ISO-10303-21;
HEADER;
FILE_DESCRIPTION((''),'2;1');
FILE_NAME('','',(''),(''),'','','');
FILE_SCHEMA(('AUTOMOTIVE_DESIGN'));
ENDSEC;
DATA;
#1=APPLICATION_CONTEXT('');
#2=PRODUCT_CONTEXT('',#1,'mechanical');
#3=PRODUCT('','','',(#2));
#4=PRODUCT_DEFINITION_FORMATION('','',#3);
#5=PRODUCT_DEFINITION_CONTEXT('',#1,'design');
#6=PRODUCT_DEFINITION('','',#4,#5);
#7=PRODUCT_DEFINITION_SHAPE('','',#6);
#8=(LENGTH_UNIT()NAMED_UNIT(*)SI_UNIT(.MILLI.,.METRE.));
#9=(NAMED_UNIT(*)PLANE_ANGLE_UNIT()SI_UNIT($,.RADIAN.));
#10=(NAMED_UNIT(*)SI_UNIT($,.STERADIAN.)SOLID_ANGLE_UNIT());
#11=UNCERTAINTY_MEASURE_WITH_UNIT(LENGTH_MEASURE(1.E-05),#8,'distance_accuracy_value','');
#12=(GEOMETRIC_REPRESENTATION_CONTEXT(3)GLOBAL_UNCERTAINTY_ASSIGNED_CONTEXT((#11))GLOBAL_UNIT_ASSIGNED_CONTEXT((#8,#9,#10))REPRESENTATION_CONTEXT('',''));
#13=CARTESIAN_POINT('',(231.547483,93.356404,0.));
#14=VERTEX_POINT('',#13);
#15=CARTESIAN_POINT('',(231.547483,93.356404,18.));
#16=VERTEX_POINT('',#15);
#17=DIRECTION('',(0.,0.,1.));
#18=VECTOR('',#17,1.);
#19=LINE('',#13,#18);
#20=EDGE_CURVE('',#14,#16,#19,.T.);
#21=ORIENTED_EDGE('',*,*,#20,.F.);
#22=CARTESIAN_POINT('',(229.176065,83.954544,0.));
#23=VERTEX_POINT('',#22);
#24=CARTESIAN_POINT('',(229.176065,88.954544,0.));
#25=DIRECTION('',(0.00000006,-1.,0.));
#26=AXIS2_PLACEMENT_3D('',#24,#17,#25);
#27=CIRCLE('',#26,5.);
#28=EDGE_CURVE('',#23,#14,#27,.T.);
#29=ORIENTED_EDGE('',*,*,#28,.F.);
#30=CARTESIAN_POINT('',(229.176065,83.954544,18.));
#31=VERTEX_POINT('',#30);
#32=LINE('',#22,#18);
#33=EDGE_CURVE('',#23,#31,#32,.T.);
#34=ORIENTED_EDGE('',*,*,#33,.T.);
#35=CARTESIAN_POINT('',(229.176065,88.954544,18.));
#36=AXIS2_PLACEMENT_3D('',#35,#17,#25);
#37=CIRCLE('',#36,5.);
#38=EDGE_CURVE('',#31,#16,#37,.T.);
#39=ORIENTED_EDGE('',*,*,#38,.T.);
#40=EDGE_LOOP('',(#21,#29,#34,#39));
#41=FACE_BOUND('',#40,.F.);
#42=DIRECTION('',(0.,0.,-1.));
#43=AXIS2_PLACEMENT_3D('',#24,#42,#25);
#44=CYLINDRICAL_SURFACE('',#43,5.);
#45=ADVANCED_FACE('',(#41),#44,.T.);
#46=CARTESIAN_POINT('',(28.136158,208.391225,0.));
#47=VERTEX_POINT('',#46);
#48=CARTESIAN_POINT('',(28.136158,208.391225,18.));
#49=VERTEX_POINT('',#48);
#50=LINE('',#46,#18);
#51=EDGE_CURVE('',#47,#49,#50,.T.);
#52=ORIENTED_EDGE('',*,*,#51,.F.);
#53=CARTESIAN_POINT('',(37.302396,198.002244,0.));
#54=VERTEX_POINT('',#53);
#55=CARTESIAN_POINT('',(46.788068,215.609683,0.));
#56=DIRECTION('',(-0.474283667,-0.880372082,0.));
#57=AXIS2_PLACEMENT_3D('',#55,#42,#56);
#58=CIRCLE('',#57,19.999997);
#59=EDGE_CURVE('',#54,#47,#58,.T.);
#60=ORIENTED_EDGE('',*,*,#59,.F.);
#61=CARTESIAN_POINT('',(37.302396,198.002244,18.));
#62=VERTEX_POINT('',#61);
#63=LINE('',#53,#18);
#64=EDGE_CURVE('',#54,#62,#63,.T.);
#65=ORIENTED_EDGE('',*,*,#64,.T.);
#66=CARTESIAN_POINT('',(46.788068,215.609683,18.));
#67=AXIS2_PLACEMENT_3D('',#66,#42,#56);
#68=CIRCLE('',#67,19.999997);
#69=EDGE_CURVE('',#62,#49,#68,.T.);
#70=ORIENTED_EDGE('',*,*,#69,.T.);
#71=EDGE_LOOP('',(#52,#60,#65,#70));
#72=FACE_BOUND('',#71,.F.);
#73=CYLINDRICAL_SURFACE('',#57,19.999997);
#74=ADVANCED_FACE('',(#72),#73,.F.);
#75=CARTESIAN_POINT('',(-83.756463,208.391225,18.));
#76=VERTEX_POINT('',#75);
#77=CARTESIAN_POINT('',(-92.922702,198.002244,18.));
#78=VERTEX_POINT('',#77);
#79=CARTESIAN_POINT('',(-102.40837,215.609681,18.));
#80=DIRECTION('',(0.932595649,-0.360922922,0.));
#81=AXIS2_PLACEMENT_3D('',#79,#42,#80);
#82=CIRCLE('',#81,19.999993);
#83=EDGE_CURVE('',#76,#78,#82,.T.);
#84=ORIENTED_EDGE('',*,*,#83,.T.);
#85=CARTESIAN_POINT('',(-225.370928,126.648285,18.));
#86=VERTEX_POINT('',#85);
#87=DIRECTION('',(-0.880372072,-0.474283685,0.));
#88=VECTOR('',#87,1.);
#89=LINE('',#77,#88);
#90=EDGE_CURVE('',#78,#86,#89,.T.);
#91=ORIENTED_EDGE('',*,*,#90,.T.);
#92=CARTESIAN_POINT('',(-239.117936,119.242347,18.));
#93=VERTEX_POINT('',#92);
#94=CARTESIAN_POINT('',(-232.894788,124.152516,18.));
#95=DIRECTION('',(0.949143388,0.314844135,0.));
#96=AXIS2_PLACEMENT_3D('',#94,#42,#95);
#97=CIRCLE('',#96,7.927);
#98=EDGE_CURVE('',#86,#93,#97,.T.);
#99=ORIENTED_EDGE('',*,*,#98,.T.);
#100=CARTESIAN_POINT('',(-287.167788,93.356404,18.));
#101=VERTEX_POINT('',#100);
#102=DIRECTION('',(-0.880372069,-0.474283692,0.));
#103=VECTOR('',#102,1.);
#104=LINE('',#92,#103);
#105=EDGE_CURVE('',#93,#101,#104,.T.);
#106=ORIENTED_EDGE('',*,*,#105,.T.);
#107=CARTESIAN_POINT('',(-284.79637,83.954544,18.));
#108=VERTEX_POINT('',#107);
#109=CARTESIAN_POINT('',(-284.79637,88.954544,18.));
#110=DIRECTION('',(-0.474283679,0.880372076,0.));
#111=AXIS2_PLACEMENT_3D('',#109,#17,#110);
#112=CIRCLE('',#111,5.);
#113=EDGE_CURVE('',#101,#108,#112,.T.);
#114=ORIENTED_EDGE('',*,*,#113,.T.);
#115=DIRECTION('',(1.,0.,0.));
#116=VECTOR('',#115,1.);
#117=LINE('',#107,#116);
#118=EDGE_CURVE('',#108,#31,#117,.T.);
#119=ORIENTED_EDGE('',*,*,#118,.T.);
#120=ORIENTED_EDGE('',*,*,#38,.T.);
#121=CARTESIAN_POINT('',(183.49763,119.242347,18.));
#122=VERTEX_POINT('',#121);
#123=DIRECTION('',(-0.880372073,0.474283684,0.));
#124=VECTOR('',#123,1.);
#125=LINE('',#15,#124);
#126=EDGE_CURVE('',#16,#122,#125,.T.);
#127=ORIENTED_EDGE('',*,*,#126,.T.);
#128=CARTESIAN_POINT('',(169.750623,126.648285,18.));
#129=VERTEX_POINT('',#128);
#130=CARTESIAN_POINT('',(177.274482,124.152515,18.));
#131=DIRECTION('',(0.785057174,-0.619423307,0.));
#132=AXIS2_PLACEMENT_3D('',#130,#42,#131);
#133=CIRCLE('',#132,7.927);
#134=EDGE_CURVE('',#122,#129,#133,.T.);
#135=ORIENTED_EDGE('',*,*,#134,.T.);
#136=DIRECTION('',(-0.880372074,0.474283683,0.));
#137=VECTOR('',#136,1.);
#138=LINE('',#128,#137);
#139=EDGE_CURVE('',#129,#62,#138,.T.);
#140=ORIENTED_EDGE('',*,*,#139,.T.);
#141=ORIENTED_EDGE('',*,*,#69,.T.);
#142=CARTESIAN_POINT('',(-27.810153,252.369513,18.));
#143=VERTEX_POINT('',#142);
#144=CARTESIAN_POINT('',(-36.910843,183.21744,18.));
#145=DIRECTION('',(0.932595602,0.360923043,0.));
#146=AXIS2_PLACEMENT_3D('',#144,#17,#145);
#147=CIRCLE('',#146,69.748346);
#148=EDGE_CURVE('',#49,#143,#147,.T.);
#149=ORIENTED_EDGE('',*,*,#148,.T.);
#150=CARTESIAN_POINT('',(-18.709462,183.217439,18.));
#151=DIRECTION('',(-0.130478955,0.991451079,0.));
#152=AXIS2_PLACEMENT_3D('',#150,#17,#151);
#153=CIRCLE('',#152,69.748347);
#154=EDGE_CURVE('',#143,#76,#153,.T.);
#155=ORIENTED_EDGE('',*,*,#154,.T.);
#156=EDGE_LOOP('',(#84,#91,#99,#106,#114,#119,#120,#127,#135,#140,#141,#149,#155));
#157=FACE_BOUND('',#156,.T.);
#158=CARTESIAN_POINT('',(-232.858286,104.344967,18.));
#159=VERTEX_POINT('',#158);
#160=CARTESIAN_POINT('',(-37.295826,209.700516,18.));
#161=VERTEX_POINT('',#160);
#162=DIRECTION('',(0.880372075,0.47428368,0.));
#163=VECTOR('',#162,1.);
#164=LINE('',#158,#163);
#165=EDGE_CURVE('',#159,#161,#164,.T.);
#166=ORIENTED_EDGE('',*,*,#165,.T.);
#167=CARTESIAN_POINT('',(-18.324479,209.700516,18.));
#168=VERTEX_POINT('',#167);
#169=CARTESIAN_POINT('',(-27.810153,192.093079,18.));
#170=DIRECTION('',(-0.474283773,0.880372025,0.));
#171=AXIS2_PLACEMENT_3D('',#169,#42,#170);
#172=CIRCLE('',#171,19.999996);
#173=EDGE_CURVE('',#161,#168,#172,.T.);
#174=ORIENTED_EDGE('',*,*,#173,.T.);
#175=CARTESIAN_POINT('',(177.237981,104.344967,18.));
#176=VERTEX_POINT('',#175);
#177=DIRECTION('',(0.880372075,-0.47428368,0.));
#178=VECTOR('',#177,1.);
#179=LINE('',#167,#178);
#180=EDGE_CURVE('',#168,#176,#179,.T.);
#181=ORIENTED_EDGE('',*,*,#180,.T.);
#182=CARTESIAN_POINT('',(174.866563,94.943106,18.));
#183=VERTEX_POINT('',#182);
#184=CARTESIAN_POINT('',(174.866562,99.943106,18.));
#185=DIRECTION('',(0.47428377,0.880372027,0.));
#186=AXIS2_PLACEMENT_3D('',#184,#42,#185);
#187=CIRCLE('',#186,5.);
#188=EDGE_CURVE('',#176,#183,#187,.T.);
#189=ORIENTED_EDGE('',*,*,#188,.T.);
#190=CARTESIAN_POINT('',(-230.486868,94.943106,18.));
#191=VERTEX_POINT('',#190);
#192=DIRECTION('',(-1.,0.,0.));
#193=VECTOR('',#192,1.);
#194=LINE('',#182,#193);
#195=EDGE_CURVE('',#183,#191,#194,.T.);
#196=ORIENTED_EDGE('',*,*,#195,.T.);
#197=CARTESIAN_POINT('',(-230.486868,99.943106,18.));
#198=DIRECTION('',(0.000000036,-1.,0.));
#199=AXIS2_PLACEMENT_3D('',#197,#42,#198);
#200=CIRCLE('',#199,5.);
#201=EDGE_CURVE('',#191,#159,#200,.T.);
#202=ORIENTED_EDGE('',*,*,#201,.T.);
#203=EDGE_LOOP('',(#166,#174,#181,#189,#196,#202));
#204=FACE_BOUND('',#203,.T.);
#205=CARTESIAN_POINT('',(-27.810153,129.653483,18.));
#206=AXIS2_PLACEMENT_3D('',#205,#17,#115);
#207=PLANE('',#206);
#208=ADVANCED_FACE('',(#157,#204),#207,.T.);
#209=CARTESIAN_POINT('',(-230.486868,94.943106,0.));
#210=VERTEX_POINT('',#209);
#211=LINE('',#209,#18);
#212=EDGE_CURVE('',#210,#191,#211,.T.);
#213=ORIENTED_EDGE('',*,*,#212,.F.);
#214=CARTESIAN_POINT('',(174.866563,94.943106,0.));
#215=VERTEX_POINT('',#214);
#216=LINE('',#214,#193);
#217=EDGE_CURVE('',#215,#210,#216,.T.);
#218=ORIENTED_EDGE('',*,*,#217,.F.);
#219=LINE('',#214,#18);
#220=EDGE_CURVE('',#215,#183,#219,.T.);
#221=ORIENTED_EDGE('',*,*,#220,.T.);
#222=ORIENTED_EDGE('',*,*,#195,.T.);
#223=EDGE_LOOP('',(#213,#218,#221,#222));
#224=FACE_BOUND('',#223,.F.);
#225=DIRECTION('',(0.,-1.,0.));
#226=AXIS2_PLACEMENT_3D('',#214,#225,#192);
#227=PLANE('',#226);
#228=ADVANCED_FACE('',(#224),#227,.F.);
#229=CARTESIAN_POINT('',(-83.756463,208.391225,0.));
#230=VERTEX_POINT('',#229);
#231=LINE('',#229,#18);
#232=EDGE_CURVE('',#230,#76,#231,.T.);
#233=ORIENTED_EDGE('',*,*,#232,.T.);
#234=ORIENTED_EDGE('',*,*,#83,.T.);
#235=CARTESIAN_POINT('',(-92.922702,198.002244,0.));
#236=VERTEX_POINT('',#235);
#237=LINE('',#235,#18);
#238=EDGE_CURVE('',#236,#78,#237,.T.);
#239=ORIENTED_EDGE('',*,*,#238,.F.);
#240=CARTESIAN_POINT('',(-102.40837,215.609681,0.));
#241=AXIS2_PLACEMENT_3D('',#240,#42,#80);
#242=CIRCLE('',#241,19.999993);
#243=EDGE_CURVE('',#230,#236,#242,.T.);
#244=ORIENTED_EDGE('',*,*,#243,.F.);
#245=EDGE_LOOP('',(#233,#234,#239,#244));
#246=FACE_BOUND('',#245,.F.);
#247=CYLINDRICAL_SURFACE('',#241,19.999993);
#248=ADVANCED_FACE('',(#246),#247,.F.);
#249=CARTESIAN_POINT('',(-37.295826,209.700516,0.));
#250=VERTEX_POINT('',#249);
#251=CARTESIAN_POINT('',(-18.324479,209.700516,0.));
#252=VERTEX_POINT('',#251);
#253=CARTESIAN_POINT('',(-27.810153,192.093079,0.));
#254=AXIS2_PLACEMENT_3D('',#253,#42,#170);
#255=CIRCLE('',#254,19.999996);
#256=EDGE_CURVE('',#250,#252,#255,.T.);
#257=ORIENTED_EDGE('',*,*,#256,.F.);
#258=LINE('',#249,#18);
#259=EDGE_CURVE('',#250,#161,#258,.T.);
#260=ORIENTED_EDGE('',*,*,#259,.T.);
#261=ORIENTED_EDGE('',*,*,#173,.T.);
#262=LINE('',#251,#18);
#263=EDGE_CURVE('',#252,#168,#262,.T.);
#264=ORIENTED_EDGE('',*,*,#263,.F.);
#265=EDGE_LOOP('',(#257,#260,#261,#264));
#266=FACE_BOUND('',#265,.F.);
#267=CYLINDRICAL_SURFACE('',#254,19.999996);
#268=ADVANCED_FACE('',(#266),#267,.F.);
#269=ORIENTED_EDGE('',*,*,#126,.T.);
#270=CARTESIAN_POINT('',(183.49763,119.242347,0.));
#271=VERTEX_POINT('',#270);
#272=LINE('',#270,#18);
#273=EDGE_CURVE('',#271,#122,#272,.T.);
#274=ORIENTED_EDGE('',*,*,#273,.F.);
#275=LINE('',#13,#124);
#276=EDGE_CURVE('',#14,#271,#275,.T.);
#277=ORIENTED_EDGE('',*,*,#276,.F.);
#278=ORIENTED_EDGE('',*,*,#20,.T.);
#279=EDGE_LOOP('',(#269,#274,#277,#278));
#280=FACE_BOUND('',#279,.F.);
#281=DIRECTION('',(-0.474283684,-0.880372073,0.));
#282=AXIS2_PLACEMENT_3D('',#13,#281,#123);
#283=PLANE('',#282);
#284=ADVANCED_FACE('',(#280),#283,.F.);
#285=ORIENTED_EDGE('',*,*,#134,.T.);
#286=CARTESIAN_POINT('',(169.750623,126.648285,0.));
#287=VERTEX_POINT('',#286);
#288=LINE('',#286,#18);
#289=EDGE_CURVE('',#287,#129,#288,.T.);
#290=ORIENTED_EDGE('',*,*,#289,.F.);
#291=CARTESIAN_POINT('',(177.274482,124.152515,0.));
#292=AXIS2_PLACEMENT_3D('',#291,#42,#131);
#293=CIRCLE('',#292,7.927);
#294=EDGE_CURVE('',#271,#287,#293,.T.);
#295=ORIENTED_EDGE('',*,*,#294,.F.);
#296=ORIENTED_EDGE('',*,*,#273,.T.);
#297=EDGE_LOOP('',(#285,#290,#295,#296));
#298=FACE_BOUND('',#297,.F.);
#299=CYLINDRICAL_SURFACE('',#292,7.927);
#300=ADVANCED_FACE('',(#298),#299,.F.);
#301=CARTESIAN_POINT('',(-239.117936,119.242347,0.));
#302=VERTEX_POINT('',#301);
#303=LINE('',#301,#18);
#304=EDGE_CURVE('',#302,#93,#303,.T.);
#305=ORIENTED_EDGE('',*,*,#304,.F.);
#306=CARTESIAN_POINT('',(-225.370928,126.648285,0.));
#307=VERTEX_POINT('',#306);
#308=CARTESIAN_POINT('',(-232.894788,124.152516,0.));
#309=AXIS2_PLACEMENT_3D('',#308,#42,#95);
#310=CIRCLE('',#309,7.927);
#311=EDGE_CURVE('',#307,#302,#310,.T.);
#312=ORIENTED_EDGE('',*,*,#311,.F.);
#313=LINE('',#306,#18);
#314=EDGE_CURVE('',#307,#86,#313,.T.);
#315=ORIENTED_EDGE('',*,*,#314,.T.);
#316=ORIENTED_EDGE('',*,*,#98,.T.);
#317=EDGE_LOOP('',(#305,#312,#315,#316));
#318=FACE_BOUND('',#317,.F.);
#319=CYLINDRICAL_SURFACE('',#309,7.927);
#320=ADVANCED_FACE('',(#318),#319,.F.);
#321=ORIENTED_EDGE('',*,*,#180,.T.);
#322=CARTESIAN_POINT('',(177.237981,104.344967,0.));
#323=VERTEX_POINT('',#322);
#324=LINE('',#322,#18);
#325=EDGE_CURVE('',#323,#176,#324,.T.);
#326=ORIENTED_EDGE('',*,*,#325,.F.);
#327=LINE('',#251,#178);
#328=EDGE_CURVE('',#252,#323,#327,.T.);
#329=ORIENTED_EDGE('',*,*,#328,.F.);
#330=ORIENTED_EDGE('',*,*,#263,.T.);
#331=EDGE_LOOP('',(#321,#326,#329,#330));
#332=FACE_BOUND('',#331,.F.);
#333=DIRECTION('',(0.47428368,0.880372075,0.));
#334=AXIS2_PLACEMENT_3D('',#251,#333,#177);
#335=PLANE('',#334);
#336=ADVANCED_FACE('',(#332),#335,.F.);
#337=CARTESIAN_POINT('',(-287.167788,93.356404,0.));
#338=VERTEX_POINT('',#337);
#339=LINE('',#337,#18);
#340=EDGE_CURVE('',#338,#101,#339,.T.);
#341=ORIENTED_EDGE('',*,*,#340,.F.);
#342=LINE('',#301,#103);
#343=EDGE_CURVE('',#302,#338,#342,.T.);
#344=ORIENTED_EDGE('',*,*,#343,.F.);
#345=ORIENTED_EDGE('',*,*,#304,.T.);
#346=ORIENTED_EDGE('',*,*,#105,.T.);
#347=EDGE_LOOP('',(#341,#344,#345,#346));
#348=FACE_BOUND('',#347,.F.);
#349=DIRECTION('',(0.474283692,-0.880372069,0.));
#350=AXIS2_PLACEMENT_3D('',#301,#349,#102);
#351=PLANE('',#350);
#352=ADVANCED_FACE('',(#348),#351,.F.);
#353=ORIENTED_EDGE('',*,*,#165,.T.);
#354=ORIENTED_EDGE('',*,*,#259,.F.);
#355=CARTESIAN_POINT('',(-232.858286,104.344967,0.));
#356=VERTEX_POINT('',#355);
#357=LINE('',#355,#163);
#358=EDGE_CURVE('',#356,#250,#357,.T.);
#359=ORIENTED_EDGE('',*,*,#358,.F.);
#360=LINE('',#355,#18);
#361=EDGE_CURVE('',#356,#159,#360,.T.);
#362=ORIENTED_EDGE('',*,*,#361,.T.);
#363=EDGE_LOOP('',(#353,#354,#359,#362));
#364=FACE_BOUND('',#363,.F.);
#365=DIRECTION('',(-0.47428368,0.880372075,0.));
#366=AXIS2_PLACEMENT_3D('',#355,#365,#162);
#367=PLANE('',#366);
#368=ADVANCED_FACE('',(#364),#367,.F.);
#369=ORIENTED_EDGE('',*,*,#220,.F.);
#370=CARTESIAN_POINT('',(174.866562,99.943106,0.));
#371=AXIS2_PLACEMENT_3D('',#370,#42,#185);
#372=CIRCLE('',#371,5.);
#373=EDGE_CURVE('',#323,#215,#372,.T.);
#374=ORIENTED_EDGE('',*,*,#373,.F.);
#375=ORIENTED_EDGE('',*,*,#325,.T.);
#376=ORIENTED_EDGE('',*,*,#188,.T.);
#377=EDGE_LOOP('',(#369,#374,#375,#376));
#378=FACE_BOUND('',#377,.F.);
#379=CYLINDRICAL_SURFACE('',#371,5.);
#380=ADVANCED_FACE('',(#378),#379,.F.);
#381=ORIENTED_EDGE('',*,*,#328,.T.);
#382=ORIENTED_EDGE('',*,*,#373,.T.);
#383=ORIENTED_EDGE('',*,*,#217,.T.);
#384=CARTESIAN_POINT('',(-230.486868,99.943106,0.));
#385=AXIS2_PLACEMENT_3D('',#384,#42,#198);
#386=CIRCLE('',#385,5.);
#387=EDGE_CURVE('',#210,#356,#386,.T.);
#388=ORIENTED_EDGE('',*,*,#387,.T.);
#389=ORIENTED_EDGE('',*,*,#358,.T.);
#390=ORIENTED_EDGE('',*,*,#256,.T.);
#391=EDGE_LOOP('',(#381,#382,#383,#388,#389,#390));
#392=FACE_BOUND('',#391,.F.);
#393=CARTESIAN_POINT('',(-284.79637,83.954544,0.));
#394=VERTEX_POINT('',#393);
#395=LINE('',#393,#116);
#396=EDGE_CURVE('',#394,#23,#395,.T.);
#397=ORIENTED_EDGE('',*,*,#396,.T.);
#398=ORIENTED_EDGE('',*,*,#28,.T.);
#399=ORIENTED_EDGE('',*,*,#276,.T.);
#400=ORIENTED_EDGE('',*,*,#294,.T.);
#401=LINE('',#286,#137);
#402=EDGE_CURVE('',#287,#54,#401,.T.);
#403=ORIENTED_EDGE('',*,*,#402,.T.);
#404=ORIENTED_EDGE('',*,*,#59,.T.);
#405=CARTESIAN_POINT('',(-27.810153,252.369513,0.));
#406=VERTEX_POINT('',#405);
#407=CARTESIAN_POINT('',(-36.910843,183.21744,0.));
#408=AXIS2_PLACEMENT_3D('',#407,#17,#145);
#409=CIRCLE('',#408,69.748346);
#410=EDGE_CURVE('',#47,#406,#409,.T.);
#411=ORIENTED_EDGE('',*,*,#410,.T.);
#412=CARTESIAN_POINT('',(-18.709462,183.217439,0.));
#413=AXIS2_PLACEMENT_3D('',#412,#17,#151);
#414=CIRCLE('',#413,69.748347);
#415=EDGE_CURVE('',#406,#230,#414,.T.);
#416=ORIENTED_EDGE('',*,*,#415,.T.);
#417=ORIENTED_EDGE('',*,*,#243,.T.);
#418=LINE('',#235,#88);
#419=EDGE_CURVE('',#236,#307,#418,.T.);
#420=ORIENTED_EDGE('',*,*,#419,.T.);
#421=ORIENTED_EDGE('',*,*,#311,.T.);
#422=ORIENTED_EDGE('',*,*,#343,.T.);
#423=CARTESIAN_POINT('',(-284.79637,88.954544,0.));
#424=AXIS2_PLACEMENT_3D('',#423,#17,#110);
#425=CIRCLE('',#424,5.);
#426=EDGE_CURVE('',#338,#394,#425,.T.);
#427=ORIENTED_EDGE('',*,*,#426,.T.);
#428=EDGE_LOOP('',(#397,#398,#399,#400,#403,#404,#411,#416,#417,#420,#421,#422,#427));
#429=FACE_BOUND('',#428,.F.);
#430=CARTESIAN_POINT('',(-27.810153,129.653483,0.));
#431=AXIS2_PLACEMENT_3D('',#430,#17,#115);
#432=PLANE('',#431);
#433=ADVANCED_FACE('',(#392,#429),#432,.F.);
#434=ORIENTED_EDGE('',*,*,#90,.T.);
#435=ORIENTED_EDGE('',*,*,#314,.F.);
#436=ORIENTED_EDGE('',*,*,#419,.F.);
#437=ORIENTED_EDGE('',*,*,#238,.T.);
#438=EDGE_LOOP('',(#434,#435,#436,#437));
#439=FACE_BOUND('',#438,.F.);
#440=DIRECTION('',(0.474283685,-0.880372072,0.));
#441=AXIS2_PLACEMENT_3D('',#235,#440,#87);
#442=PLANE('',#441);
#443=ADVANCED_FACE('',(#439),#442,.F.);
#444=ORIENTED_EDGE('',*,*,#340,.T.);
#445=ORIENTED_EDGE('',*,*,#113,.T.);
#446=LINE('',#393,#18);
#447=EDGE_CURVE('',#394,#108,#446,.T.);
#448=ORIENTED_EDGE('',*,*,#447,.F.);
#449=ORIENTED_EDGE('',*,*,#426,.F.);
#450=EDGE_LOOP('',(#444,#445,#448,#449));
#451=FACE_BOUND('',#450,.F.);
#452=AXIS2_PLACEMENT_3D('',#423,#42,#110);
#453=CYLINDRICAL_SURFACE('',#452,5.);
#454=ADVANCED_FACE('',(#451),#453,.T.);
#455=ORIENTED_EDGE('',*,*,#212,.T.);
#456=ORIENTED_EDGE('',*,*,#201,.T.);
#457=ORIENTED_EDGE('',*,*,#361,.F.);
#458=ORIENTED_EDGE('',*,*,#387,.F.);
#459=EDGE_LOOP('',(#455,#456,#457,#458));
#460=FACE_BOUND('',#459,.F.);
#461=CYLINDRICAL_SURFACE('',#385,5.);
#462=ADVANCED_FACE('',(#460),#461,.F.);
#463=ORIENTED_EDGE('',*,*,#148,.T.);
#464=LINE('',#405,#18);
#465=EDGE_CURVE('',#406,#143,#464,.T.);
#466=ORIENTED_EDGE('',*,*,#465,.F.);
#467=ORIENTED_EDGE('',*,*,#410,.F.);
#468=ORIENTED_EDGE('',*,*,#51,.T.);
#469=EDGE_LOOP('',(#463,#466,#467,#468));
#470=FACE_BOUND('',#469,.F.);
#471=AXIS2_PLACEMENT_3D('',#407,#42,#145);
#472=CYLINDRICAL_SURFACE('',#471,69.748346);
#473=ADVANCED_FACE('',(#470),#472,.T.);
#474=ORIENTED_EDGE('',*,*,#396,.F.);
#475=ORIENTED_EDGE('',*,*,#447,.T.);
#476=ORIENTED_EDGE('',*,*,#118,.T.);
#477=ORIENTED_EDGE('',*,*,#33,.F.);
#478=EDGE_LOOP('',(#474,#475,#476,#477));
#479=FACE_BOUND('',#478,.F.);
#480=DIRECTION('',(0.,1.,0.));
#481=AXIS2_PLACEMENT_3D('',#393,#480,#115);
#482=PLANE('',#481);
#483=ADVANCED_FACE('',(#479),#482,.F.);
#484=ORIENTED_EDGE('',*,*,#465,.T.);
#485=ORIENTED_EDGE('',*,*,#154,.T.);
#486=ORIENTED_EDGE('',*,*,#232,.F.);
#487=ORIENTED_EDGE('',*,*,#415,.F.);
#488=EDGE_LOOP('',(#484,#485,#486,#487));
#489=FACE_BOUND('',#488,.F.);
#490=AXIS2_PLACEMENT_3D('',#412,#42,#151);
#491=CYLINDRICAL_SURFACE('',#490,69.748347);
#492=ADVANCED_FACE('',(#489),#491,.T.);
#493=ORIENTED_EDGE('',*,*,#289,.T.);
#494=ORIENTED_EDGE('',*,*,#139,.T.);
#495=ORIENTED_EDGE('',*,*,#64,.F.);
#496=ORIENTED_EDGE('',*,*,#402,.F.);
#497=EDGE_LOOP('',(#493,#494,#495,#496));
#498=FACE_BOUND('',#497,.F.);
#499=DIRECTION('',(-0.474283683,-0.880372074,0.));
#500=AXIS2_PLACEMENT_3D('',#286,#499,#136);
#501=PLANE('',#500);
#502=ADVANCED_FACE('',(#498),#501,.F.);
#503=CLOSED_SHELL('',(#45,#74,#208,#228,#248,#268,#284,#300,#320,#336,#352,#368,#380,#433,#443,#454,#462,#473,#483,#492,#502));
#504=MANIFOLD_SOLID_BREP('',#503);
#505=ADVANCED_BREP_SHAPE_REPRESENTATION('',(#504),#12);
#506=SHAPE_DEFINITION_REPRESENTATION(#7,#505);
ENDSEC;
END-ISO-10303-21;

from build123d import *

# Parameters (mm, degrees)
F1_DEPTH = 18


with BuildPart() as f1:
    # F0 (on Top) → F1 (new body)
    with BuildSketch(Plane.XY):
        with BuildLine():
            Line((-239.117936, 119.242347), (-287.167788, 93.356404))
            ThreePointArc((-287.167788, 93.356404), (-289.644529, 87.731699), (-284.79637, 83.954544))
            Line((-284.79637, 83.954544), (229.176065, 83.954544))
            ThreePointArc((229.176065, 83.954544), (234.024224, 87.731699), (231.547483, 93.356404))
            Line((231.547483, 93.356404), (183.49763, 119.242347))
            ThreePointArc((183.49763, 119.242347), (173.514836, 117.173806), (169.750623, 126.648285))
            Line((169.750623, 126.648285), (37.302396, 198.002244))
            ThreePointArc((37.302396, 198.002244), (31.790948, 202.377666), (28.136158, 208.391225))
            ThreePointArc((28.136158, 208.391225), (6.193594, 238.052094), (-27.810153, 252.369513))
            ThreePointArc((-27.810153, 252.369513), (-61.813899, 238.052094), (-83.756463, 208.391225))
            ThreePointArc((-83.756463, 208.391225), (-87.411253, 202.377666), (-92.922702, 198.002244))
            Line((-92.922702, 198.002244), (-225.370928, 126.648285))
            ThreePointArc((-225.370928, 126.648285), (-229.135141, 117.173806), (-239.117936, 119.242347))
        make_face()
        with BuildLine():
            Line((174.866563, 94.943106), (-230.486868, 94.943106))
            ThreePointArc((-230.486868, 94.943106), (-235.335028, 98.720262), (-232.858286, 104.344967))
            Line((-232.858286, 104.344967), (-37.295826, 209.700516))
            ThreePointArc((-37.295826, 209.700516), (-27.810153, 212.093075), (-18.324479, 209.700516))
            Line((-18.324479, 209.700516), (177.237981, 104.344967))
            ThreePointArc((177.237981, 104.344967), (179.714722, 98.720262), (174.866563, 94.943106))
        make_face(mode=Mode.SUBTRACT)
    extrude(amount=F1_DEPTH)


solid = f1.part
